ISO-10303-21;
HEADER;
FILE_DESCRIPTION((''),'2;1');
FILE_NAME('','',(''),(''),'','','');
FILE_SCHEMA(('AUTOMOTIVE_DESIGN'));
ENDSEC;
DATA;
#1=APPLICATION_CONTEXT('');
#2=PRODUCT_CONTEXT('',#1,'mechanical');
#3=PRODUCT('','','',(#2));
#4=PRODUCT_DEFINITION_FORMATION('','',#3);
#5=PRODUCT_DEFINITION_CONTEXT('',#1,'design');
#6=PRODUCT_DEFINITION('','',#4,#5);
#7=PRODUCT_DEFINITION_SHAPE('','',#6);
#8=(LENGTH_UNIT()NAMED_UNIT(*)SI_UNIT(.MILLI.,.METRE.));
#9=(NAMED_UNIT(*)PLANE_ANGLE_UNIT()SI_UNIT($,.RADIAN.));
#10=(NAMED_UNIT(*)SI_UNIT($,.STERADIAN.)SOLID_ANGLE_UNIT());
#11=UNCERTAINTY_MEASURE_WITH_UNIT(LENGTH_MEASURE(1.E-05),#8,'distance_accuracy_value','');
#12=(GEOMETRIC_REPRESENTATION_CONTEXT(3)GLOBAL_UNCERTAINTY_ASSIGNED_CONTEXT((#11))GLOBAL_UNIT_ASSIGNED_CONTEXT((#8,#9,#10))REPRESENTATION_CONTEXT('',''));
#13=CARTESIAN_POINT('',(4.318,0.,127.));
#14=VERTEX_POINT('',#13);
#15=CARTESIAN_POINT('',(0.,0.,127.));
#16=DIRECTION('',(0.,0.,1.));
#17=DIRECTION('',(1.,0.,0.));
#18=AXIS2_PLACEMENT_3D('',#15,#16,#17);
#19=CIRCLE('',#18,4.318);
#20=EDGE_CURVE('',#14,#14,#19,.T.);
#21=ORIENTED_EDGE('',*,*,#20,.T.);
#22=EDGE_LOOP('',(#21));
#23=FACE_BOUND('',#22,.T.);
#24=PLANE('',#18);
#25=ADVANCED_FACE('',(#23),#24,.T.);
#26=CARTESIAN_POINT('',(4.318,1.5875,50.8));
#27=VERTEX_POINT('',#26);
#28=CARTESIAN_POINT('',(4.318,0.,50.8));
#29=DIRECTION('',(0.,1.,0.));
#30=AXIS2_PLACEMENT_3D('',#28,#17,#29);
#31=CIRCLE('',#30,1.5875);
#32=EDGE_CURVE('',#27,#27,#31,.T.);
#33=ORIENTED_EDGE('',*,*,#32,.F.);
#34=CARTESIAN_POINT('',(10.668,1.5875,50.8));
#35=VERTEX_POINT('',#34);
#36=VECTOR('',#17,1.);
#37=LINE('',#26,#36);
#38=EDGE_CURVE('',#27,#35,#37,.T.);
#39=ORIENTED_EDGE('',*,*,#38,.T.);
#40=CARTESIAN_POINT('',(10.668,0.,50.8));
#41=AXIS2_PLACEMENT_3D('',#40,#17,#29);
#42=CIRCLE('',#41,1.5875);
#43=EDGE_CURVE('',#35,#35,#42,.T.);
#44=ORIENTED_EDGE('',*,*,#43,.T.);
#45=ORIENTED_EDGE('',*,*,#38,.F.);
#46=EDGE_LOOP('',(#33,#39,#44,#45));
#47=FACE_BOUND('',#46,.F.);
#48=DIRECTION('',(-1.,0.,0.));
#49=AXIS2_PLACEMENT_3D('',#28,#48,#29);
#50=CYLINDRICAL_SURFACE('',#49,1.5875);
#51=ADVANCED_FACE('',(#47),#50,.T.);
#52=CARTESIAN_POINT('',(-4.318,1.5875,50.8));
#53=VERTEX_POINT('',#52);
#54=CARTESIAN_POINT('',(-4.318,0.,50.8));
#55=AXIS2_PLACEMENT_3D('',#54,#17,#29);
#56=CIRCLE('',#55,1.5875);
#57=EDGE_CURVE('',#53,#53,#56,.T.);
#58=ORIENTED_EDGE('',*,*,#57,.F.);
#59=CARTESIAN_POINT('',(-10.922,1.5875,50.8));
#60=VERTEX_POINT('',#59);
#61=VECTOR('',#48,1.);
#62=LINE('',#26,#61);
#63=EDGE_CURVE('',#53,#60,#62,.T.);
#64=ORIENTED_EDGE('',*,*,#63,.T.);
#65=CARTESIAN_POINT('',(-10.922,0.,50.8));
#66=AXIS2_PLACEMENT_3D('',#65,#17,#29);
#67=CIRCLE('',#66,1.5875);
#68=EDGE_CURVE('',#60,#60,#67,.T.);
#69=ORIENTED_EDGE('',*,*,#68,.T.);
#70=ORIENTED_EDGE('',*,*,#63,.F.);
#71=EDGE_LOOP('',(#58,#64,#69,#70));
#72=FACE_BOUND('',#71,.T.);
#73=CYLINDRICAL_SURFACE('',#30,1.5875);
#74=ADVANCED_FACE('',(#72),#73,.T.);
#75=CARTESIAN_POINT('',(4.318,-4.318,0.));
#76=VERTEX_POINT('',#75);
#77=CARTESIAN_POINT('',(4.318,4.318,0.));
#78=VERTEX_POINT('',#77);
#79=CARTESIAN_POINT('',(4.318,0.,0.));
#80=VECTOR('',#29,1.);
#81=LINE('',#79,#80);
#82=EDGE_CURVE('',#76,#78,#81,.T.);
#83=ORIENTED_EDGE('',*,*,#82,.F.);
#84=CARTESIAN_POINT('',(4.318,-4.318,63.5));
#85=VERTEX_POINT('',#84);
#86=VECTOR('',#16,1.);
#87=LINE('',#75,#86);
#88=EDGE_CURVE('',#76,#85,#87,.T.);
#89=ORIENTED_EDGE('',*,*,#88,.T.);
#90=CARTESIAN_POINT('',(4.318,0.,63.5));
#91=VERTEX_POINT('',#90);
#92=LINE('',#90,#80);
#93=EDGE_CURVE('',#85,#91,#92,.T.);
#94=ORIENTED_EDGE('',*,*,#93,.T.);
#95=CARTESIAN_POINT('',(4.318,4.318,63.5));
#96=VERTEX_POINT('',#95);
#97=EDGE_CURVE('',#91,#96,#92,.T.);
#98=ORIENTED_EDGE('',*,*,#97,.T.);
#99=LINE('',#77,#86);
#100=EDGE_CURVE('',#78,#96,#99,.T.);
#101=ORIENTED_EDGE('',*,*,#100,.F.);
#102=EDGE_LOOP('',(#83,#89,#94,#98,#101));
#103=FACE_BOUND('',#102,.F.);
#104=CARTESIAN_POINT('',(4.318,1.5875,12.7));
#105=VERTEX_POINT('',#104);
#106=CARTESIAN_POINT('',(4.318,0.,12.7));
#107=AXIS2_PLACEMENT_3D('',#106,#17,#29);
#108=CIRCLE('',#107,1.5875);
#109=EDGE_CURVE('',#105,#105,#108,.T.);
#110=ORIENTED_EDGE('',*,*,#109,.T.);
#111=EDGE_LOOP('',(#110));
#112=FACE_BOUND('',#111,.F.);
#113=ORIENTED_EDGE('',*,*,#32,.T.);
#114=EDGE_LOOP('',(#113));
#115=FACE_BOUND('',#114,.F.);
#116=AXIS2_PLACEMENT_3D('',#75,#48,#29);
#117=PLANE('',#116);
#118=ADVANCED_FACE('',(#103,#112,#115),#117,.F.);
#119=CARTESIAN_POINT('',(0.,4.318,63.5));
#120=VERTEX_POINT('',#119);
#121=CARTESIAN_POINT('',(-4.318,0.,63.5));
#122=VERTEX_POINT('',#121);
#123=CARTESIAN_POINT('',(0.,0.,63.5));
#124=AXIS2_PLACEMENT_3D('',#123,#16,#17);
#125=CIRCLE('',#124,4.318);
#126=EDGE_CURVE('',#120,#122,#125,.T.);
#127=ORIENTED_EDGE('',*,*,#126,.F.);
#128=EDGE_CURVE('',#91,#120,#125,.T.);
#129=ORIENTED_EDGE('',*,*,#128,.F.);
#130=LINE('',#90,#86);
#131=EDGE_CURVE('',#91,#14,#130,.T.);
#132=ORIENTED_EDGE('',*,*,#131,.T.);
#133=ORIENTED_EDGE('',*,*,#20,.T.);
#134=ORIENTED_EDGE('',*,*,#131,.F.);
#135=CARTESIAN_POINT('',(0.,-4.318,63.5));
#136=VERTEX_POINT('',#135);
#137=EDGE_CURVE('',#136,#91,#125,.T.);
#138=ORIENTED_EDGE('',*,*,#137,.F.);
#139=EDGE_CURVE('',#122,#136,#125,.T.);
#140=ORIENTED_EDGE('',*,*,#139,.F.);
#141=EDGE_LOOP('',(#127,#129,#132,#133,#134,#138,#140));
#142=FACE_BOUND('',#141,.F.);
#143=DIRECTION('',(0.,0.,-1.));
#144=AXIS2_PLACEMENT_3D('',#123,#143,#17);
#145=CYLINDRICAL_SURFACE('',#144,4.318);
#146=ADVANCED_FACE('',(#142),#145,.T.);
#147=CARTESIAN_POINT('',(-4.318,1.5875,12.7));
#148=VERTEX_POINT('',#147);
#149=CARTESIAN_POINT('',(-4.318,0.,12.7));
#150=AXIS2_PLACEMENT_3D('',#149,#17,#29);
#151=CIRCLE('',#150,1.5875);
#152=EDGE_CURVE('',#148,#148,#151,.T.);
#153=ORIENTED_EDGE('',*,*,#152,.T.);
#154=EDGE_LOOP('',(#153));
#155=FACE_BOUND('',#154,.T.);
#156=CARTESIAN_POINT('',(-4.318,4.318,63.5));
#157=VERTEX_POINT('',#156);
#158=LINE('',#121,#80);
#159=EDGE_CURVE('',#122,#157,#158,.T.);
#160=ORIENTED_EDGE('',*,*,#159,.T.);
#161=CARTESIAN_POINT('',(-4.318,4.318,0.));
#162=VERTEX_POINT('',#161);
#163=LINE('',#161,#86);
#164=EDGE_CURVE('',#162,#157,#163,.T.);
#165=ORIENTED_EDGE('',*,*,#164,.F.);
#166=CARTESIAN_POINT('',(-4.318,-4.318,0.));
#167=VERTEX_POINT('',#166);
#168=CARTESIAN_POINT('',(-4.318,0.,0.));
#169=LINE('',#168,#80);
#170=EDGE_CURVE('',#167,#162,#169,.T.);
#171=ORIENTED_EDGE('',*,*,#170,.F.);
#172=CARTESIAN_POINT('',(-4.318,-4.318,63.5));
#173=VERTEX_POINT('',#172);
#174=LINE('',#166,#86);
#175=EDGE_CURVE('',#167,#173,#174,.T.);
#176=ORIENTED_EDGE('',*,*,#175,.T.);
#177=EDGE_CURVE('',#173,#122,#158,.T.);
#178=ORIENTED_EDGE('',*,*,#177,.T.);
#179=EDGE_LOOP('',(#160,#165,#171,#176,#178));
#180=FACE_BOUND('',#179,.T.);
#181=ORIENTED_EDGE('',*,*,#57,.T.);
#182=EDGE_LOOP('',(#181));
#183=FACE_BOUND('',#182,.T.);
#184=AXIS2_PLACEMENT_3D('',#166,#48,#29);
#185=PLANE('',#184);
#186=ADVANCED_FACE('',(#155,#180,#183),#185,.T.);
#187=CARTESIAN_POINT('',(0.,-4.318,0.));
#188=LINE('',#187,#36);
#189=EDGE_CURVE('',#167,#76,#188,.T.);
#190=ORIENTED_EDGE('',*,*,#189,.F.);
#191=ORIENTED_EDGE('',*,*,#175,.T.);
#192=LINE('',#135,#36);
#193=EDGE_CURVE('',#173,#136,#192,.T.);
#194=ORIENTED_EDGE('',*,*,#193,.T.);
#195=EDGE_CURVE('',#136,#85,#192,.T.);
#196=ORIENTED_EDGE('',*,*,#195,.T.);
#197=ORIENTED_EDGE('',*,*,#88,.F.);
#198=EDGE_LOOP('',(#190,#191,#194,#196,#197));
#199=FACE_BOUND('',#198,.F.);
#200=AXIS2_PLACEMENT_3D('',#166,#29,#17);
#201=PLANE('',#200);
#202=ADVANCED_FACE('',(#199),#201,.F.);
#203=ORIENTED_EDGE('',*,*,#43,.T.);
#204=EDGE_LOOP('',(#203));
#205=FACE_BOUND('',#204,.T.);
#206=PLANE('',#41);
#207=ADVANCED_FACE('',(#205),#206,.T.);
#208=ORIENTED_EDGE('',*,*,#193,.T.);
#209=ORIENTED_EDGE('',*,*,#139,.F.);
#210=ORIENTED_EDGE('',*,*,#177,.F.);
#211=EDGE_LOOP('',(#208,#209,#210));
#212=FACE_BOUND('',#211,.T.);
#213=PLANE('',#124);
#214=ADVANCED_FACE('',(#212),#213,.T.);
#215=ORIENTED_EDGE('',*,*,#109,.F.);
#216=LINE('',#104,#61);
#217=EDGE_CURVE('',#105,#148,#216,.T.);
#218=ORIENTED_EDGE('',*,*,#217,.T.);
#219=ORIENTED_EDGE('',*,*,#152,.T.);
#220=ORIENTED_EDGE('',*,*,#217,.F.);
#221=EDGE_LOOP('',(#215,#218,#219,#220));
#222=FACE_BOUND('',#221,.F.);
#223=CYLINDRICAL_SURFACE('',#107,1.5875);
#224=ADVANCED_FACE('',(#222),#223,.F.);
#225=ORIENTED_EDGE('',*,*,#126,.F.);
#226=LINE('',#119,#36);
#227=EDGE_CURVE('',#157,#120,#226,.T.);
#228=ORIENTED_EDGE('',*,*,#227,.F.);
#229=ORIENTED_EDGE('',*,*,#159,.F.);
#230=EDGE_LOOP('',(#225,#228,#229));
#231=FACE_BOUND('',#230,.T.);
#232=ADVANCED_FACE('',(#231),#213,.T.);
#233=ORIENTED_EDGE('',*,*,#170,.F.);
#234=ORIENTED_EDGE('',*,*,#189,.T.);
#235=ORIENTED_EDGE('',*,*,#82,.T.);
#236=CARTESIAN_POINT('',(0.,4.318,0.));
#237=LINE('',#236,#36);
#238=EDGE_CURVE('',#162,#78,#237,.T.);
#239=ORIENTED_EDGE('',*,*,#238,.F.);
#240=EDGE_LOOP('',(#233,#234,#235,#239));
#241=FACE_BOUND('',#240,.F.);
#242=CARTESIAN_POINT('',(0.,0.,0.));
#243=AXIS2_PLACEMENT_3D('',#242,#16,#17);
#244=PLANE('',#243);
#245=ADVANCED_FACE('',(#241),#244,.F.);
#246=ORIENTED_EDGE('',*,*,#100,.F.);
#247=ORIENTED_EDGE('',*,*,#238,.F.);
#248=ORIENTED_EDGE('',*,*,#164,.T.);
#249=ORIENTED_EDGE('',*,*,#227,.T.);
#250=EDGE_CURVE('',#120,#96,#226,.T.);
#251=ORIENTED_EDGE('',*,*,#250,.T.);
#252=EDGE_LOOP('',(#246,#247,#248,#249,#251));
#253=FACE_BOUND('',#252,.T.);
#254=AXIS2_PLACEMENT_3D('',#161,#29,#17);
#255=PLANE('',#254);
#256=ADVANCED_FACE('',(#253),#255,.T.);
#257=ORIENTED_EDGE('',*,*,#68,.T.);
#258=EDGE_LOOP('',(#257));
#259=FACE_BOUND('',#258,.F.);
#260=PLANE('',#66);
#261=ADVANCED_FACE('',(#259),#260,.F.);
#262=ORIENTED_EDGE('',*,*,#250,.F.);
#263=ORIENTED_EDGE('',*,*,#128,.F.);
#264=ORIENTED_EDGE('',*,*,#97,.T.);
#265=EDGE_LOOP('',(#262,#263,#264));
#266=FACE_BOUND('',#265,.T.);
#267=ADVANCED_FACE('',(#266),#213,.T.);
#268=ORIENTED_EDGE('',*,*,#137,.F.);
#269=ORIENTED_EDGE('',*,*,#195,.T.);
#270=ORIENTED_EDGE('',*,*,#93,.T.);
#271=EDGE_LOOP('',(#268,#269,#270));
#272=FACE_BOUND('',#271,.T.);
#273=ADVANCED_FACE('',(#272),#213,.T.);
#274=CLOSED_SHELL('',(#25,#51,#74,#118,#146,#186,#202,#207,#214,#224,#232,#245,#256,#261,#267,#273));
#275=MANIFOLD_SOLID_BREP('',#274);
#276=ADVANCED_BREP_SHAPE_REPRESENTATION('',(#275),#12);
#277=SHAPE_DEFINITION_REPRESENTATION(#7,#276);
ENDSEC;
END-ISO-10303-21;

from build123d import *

# Parameters (mm, degrees)
F0_W          = 8.636
F0_H          = 8.636
F1_DEPTH      = 63.5
F2_R          = 4.318
F3_DEPTH      = 63.5
F4_R          = 1.5875
F5_DEPTH      = 25.4
F6_R          = 1.5875
F7_DEPTH      = 6.35
F7_DEPTH_BACK = 15.24


with BuildPart() as f1:
    # F0 (on Top) → F1 (new body)
    with BuildSketch(Plane.XY):
        Rectangle(F0_W, F0_H)
    extrude(amount=F1_DEPTH)

    # F2 (on face) → F3 (join)
    with BuildSketch(Plane.XY.offset(63.5)):
        Circle(F2_R)
    extrude(amount=F3_DEPTH)

    # F4 (on face) → F5 (cut)
    with BuildSketch(Plane.YZ.offset(4.318)):
        with Locations((0, 12.7)):
            Circle(F4_R)
    extrude(amount=-F5_DEPTH, mode=Mode.SUBTRACT)

    # F6 (on face) → F7 (join, two sides)
    with BuildSketch(Plane.YZ.offset(4.318)) as f7_sk:
        with Locations((0, 50.8)):
            Circle(F6_R)
    extrude(amount=F7_DEPTH)
    extrude(f7_sk.sketch, amount=-F7_DEPTH_BACK)


solid = f1.part
